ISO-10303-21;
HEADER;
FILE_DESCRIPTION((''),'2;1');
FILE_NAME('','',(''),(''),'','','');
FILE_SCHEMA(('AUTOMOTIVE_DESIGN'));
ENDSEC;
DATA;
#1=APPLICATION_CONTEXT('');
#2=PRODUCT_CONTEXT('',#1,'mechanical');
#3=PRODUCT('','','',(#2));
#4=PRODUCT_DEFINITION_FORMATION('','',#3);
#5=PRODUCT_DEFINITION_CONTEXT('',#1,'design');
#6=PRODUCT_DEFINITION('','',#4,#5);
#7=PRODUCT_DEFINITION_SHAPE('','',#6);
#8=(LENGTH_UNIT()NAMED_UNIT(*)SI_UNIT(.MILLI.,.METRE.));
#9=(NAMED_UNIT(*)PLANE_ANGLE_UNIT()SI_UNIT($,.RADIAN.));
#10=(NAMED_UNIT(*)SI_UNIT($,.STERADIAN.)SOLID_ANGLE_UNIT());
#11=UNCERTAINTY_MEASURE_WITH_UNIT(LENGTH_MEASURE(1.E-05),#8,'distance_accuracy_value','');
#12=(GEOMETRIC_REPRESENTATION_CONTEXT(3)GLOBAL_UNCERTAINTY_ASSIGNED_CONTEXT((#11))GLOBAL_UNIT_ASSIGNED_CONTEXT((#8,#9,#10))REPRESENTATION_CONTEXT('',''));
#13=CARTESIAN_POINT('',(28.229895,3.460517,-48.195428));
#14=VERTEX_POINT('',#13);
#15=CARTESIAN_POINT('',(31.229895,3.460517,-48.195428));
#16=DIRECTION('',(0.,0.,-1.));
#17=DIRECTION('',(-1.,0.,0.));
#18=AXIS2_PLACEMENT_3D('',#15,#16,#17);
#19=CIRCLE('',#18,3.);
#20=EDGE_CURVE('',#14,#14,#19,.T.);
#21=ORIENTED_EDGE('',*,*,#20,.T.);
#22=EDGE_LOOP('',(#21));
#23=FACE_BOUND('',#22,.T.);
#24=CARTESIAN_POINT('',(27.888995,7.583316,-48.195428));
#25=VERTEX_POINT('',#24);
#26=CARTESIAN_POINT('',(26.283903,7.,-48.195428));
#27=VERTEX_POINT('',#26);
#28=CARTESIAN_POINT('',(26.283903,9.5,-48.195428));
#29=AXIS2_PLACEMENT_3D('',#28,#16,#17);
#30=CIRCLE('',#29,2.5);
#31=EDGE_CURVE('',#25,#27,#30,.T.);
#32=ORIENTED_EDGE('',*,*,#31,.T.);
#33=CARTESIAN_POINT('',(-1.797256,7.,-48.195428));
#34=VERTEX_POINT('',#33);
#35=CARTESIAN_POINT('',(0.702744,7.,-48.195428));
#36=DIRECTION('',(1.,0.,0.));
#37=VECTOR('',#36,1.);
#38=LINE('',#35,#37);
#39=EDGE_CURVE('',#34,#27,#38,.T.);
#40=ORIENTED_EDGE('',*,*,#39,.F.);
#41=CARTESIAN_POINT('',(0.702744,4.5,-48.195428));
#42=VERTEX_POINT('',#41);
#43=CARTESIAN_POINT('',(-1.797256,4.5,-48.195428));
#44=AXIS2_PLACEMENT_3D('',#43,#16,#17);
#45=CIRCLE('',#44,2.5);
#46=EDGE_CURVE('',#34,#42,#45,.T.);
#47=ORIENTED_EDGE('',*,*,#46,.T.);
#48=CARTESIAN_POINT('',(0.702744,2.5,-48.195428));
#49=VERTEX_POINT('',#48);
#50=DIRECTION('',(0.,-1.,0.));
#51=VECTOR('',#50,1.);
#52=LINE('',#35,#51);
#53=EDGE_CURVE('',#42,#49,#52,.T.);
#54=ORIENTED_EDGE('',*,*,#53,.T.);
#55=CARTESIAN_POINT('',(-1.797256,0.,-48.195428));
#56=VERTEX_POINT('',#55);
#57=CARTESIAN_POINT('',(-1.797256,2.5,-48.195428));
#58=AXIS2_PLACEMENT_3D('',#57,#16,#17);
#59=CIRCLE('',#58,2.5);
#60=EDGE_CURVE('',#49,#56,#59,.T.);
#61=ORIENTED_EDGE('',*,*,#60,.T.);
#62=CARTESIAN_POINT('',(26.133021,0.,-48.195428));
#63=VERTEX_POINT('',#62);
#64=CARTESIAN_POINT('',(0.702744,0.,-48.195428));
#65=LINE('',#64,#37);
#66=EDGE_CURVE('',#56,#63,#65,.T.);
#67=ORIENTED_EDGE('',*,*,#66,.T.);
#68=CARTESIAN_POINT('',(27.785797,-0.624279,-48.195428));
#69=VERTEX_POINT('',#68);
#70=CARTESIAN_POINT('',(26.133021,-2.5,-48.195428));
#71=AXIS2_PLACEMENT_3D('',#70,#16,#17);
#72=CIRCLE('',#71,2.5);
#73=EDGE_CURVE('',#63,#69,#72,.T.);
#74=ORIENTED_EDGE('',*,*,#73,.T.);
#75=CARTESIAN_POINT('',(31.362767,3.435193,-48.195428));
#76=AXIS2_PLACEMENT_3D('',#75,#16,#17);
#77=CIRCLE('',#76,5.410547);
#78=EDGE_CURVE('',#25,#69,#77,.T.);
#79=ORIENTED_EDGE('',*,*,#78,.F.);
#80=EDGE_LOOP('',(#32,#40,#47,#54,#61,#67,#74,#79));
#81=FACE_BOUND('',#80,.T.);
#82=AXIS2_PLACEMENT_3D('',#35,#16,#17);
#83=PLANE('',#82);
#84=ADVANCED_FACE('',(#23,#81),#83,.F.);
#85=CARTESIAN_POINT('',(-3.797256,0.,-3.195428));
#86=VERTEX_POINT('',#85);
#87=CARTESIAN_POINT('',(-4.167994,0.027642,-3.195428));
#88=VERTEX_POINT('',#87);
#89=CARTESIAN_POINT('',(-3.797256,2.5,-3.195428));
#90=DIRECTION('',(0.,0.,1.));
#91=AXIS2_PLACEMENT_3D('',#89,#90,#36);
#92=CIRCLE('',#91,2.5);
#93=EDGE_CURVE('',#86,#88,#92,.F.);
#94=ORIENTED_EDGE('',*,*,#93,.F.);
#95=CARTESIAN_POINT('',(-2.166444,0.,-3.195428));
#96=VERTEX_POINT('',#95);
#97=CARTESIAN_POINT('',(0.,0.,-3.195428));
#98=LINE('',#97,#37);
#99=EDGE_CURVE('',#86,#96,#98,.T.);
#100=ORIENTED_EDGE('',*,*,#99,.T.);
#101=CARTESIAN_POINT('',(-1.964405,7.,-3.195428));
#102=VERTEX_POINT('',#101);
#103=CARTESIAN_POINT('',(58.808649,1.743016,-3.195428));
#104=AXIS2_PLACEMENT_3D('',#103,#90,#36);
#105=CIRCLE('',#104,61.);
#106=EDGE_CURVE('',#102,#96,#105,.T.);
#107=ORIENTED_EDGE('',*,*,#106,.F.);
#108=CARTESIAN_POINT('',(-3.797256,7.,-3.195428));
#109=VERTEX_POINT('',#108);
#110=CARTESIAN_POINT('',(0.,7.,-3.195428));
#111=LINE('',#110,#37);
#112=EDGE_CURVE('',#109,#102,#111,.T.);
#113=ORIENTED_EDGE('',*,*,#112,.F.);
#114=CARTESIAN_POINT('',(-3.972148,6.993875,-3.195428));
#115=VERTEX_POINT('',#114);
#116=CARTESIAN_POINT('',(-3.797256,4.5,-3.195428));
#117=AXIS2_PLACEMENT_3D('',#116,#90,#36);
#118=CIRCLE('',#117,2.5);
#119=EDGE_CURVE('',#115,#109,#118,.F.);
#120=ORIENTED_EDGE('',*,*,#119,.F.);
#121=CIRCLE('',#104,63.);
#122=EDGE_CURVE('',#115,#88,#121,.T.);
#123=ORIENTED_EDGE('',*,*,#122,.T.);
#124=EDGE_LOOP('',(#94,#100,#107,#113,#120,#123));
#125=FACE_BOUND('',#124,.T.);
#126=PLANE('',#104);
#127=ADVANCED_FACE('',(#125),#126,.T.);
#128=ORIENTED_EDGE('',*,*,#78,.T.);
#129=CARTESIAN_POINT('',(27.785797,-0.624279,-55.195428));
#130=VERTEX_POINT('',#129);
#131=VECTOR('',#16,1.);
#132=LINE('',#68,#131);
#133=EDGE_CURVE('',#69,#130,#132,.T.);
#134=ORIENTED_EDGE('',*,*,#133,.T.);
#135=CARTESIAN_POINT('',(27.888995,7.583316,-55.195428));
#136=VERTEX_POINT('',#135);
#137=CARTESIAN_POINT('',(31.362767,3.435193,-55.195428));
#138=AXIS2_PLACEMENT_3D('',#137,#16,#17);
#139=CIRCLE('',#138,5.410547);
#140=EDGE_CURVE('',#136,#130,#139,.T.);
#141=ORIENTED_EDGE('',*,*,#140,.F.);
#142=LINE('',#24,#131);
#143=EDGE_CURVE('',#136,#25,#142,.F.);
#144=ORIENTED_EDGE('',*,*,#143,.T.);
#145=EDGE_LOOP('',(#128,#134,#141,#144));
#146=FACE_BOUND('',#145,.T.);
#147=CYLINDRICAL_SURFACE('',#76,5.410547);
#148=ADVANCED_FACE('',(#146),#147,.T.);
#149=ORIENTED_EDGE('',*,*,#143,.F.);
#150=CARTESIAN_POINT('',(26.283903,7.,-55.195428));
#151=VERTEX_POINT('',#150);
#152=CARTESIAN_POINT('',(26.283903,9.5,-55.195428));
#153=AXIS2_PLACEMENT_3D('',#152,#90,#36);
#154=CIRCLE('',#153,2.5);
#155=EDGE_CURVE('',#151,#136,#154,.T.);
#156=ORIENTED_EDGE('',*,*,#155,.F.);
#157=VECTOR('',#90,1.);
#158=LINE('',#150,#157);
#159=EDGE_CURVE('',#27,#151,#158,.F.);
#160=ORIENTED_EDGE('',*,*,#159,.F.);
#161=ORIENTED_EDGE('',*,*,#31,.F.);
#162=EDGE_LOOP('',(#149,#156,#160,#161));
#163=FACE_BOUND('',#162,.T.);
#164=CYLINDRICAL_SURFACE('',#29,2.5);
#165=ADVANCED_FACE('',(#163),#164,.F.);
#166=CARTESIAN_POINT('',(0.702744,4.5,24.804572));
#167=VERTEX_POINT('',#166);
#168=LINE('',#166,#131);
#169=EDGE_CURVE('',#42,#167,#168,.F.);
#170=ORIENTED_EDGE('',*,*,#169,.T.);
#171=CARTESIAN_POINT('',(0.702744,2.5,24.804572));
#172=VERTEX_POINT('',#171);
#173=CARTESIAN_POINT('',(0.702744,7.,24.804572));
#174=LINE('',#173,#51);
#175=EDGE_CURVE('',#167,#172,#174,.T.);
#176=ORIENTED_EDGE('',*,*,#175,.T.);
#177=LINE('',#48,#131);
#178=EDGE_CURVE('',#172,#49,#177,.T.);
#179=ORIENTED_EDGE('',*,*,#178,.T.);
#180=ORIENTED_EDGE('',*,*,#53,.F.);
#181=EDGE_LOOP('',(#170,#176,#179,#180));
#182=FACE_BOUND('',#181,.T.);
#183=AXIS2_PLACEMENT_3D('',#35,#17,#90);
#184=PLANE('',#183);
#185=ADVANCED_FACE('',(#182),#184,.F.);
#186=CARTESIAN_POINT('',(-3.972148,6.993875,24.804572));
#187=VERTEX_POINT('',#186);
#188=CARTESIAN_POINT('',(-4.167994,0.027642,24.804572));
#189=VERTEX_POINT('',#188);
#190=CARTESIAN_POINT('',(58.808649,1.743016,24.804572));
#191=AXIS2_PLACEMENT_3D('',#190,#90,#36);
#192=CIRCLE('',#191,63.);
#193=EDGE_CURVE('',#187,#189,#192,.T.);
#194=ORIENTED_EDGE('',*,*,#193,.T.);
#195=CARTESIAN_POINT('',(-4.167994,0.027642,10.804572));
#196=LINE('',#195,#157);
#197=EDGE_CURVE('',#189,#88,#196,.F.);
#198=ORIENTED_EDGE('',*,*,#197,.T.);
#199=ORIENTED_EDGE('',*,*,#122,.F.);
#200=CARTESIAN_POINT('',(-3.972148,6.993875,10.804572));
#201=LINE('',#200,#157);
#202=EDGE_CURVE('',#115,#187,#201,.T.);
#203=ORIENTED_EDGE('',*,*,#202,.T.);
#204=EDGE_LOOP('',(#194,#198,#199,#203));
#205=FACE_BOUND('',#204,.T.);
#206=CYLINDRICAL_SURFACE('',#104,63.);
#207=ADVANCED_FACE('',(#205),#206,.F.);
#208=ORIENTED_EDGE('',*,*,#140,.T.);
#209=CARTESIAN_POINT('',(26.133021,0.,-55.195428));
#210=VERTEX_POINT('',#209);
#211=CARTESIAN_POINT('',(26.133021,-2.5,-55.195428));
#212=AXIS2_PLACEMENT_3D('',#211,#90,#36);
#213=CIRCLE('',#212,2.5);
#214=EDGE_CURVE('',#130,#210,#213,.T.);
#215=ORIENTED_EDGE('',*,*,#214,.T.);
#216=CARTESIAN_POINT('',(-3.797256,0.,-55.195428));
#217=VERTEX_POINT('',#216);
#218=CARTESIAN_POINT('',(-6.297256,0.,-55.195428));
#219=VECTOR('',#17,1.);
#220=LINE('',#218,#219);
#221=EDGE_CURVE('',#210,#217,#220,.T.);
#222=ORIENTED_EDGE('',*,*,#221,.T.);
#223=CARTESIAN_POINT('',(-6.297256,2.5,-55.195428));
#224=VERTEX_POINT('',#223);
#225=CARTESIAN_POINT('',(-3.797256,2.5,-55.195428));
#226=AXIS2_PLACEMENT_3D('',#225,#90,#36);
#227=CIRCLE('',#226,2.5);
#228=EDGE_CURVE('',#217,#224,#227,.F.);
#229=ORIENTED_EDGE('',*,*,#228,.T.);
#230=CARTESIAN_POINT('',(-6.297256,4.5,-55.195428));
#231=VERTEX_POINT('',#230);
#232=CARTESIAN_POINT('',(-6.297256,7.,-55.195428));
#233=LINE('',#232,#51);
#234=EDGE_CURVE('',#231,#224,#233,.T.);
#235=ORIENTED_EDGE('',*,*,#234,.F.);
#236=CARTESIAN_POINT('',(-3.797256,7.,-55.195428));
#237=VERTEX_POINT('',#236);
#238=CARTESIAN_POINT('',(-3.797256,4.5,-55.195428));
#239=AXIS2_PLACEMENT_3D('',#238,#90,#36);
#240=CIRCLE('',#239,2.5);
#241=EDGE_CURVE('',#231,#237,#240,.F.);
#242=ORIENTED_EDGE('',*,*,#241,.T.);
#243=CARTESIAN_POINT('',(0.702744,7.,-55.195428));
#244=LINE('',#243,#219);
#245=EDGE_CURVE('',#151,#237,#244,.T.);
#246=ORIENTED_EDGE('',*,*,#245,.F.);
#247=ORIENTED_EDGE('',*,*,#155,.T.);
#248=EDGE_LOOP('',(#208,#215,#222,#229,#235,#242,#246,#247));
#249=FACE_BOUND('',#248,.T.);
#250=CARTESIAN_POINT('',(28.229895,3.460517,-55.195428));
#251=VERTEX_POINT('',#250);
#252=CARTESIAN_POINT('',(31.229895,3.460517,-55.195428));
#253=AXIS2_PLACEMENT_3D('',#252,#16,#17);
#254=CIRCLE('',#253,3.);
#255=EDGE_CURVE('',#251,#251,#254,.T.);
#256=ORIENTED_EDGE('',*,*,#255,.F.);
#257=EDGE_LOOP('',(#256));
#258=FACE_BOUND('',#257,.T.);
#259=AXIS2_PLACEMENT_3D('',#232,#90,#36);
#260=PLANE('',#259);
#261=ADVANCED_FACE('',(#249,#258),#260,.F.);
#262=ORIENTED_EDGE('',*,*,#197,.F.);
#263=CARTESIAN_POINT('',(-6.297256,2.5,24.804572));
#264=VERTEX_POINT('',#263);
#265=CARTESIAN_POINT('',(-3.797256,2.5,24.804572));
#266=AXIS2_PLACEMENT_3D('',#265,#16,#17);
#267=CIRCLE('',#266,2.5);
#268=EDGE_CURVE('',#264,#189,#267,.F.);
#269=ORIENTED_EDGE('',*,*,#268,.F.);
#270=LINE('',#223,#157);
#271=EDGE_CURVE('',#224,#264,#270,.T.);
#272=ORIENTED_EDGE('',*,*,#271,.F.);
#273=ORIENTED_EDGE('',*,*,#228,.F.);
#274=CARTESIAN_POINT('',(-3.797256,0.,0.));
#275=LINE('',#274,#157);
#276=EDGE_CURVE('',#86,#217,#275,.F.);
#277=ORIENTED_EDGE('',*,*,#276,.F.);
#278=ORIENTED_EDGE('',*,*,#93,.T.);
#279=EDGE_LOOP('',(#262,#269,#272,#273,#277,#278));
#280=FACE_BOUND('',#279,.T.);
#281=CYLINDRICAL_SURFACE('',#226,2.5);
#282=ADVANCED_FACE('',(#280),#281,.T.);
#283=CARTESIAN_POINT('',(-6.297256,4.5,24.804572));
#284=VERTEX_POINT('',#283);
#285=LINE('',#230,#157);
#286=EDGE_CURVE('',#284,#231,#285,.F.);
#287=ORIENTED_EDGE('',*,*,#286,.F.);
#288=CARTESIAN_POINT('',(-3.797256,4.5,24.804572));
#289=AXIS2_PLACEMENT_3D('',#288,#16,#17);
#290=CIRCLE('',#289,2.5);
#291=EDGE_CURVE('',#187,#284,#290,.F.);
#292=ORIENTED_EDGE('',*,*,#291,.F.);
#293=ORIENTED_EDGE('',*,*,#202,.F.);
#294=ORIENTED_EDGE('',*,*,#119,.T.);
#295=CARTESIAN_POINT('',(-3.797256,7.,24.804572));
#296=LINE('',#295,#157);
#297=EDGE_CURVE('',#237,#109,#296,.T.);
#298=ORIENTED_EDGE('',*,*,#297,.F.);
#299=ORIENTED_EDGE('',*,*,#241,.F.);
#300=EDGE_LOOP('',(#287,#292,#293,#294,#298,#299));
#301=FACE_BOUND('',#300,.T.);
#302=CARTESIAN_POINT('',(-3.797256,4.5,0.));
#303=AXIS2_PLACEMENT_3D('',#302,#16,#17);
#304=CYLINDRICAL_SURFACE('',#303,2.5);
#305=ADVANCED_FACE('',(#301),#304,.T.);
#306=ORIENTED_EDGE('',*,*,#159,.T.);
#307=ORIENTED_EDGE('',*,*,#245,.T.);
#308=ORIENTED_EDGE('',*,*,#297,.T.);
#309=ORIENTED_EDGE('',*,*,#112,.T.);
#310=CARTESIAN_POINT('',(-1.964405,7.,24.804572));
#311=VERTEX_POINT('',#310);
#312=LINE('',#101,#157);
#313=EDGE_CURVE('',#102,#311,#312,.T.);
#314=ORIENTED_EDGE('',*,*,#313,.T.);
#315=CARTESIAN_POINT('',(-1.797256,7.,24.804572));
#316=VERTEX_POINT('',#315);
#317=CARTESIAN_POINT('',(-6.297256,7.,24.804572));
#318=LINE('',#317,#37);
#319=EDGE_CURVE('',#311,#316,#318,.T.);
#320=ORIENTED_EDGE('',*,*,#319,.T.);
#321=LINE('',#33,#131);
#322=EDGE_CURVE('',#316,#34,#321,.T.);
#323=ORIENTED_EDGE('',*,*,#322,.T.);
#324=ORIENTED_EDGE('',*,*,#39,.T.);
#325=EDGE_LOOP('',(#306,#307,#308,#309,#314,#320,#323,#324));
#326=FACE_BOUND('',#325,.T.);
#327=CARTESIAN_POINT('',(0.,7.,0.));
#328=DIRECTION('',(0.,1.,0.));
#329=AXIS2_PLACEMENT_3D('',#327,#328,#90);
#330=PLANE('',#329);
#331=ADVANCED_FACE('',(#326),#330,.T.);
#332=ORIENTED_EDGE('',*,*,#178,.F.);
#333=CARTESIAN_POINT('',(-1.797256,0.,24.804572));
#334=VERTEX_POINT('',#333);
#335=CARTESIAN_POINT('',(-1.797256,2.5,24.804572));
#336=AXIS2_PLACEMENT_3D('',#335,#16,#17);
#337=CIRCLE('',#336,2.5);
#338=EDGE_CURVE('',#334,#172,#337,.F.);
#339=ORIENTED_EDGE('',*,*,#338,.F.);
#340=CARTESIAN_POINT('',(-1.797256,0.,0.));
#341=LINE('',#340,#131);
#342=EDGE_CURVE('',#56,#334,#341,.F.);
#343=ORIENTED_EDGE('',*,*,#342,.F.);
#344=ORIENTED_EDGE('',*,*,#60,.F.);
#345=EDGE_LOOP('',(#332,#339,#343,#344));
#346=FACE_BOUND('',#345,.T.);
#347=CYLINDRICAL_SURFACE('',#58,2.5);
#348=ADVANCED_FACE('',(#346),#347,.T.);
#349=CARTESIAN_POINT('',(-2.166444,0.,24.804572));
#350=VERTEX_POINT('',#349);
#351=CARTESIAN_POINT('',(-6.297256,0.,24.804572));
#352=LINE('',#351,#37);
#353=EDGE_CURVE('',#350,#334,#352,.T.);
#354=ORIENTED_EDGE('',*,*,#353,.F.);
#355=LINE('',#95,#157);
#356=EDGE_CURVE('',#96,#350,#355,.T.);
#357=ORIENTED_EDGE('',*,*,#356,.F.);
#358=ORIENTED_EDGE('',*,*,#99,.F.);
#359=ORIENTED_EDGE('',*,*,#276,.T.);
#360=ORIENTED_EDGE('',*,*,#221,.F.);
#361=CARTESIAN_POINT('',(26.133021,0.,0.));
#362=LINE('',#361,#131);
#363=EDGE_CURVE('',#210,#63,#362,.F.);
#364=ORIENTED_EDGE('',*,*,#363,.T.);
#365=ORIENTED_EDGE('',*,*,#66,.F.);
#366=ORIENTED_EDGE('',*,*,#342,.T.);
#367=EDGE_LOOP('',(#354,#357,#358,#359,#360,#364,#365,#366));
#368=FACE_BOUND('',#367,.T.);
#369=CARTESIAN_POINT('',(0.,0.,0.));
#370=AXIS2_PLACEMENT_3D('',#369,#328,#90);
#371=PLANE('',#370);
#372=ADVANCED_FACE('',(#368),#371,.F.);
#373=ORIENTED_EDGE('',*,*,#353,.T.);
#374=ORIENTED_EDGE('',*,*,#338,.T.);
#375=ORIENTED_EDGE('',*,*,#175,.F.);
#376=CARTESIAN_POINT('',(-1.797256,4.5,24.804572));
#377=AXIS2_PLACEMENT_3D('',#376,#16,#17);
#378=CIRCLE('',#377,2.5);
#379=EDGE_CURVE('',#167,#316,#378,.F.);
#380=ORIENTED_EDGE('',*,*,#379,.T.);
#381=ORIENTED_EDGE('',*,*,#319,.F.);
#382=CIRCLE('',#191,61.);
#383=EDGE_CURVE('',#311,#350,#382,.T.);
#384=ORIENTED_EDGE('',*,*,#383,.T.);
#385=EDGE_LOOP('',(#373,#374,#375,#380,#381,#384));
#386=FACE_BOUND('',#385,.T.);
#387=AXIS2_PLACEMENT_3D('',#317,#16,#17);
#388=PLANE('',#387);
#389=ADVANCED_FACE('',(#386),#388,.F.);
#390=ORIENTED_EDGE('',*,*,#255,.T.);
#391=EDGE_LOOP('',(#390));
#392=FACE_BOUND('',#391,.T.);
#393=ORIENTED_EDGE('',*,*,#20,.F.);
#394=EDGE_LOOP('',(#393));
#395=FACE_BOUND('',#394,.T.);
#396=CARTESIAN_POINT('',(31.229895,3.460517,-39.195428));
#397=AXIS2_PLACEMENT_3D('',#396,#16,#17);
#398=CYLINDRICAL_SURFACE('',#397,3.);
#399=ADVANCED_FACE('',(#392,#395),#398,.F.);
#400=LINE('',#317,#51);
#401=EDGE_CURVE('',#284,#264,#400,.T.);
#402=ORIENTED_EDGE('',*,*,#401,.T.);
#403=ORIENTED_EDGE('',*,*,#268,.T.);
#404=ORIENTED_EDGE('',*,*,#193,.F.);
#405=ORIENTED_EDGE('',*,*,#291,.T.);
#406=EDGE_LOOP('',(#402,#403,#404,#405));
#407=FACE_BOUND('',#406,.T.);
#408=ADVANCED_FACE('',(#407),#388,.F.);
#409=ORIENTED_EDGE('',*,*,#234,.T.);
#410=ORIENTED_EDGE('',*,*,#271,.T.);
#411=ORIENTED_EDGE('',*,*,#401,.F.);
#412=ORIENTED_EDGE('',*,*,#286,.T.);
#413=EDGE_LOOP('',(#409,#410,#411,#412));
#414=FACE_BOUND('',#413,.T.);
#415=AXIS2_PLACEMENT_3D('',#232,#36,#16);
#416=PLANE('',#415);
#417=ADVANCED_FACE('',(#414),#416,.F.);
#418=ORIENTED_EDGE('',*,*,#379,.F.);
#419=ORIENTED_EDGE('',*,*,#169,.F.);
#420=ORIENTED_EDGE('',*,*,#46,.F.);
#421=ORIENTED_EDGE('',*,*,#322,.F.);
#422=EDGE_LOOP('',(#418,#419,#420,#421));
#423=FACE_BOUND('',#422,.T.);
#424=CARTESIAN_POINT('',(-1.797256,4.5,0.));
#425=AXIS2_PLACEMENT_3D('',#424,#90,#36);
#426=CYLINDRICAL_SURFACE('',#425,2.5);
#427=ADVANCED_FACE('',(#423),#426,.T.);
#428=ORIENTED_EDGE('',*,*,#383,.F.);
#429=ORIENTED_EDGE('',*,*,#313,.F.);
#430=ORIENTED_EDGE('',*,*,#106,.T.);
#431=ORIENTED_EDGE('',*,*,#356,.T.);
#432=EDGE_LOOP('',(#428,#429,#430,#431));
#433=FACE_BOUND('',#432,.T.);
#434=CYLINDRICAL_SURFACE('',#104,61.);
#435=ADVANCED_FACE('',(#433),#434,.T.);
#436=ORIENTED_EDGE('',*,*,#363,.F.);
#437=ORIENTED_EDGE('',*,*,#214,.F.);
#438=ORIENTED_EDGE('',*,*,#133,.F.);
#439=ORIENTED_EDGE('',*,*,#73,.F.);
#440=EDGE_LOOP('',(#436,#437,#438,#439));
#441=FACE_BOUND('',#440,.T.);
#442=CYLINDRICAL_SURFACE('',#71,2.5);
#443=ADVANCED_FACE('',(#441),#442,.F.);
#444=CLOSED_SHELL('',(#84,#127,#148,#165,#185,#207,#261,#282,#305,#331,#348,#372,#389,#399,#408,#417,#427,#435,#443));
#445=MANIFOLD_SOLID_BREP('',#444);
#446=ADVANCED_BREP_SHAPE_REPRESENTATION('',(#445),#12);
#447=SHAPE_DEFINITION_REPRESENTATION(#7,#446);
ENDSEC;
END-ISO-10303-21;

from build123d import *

# Parameters (mm, degrees)
BOSS_EXTRUDE1_DEPTH = 7
FILLET1_R           = 2.5
SKETCH2_R           = 5.410546581
BOSS_EXTRUDE2_DEPTH = 7
FILLET2_R           = 2.5
SKETCH3_R           = 3
CUT_EXTRUDE1_DEPTH  = 16
SKETCH4_R           = 63
SKETCH4_R_2         = 61
CUT_EXTRUDE2_DEPTH  = 28


with BuildPart() as part:
    # Sketch1 → Boss-Extrude1 (new body)
    with BuildSketch(Plane(origin=(0, 0, 0), x_dir=(1, 0, 0), z_dir=(0, 1, 0))):
        Polygon((-6.297256143, 55.195428384), (0.702743857, 55.195428384), (33.702743857, 55.195428384), (33.702743857, 48.195428384), (0.702743857, 48.195428384), (0.702743857, -24.804571616), (-6.297256143, -24.804571616), align=None)
    extrude(amount=BOSS_EXTRUDE1_DEPTH)

    # Fillet1
    fillet1_edges = [part.edges().sort_by_distance(p)[0] for p in [
        (-6.297256143, 7, -15.195428384),
        (0.702743857, 7, -11.695428384),
        (-6.297256143, 0, -15.195428384),
        (0.702743857, 0, -11.695428384),
    ]]
    fillet(fillet1_edges, radius=FILLET1_R)

    # Sketch2 → Boss-Extrude2 (add)
    with BuildSketch(Plane(origin=(0, 0, -55.195428384), x_dir=(-1, 0, 0), z_dir=(0, 0, -1))):
        with Locations((-31.362766576, 3.435192577)):
            Circle(SKETCH2_R)
    extrude(amount=-BOSS_EXTRUDE2_DEPTH)

    # Fillet2
    fillet2_edges = [part.edges().sort_by_distance(p)[0] for p in [
        (27.182639034, 0, -51.695428384),
        (27.2926115, 7, -51.695428384),
    ]]
    fillet(fillet2_edges, radius=FILLET2_R)

    # Sketch3 → Cut-Extrude1 (cut)
    with BuildSketch(Plane(origin=(0, 0, -55.195428384), x_dir=(-1, 0, 0), z_dir=(0, 0, -1))):
        with Locations((-31.229894895, 3.460516579)):
            Circle(SKETCH3_R)
    extrude(amount=-CUT_EXTRUDE1_DEPTH, mode=Mode.SUBTRACT)

    # Sketch4 → Cut-Extrude2 (cut)
    with BuildSketch(Plane.XY.offset(24.804571616)):
        with Locations((58.808648779, 1.743015897)):
            Circle(SKETCH4_R)
        with Locations((58.808648779, 1.743015897)):
            Circle(SKETCH4_R_2, mode=Mode.SUBTRACT)
    extrude(amount=-CUT_EXTRUDE2_DEPTH, mode=Mode.SUBTRACT)


solid = part.part
